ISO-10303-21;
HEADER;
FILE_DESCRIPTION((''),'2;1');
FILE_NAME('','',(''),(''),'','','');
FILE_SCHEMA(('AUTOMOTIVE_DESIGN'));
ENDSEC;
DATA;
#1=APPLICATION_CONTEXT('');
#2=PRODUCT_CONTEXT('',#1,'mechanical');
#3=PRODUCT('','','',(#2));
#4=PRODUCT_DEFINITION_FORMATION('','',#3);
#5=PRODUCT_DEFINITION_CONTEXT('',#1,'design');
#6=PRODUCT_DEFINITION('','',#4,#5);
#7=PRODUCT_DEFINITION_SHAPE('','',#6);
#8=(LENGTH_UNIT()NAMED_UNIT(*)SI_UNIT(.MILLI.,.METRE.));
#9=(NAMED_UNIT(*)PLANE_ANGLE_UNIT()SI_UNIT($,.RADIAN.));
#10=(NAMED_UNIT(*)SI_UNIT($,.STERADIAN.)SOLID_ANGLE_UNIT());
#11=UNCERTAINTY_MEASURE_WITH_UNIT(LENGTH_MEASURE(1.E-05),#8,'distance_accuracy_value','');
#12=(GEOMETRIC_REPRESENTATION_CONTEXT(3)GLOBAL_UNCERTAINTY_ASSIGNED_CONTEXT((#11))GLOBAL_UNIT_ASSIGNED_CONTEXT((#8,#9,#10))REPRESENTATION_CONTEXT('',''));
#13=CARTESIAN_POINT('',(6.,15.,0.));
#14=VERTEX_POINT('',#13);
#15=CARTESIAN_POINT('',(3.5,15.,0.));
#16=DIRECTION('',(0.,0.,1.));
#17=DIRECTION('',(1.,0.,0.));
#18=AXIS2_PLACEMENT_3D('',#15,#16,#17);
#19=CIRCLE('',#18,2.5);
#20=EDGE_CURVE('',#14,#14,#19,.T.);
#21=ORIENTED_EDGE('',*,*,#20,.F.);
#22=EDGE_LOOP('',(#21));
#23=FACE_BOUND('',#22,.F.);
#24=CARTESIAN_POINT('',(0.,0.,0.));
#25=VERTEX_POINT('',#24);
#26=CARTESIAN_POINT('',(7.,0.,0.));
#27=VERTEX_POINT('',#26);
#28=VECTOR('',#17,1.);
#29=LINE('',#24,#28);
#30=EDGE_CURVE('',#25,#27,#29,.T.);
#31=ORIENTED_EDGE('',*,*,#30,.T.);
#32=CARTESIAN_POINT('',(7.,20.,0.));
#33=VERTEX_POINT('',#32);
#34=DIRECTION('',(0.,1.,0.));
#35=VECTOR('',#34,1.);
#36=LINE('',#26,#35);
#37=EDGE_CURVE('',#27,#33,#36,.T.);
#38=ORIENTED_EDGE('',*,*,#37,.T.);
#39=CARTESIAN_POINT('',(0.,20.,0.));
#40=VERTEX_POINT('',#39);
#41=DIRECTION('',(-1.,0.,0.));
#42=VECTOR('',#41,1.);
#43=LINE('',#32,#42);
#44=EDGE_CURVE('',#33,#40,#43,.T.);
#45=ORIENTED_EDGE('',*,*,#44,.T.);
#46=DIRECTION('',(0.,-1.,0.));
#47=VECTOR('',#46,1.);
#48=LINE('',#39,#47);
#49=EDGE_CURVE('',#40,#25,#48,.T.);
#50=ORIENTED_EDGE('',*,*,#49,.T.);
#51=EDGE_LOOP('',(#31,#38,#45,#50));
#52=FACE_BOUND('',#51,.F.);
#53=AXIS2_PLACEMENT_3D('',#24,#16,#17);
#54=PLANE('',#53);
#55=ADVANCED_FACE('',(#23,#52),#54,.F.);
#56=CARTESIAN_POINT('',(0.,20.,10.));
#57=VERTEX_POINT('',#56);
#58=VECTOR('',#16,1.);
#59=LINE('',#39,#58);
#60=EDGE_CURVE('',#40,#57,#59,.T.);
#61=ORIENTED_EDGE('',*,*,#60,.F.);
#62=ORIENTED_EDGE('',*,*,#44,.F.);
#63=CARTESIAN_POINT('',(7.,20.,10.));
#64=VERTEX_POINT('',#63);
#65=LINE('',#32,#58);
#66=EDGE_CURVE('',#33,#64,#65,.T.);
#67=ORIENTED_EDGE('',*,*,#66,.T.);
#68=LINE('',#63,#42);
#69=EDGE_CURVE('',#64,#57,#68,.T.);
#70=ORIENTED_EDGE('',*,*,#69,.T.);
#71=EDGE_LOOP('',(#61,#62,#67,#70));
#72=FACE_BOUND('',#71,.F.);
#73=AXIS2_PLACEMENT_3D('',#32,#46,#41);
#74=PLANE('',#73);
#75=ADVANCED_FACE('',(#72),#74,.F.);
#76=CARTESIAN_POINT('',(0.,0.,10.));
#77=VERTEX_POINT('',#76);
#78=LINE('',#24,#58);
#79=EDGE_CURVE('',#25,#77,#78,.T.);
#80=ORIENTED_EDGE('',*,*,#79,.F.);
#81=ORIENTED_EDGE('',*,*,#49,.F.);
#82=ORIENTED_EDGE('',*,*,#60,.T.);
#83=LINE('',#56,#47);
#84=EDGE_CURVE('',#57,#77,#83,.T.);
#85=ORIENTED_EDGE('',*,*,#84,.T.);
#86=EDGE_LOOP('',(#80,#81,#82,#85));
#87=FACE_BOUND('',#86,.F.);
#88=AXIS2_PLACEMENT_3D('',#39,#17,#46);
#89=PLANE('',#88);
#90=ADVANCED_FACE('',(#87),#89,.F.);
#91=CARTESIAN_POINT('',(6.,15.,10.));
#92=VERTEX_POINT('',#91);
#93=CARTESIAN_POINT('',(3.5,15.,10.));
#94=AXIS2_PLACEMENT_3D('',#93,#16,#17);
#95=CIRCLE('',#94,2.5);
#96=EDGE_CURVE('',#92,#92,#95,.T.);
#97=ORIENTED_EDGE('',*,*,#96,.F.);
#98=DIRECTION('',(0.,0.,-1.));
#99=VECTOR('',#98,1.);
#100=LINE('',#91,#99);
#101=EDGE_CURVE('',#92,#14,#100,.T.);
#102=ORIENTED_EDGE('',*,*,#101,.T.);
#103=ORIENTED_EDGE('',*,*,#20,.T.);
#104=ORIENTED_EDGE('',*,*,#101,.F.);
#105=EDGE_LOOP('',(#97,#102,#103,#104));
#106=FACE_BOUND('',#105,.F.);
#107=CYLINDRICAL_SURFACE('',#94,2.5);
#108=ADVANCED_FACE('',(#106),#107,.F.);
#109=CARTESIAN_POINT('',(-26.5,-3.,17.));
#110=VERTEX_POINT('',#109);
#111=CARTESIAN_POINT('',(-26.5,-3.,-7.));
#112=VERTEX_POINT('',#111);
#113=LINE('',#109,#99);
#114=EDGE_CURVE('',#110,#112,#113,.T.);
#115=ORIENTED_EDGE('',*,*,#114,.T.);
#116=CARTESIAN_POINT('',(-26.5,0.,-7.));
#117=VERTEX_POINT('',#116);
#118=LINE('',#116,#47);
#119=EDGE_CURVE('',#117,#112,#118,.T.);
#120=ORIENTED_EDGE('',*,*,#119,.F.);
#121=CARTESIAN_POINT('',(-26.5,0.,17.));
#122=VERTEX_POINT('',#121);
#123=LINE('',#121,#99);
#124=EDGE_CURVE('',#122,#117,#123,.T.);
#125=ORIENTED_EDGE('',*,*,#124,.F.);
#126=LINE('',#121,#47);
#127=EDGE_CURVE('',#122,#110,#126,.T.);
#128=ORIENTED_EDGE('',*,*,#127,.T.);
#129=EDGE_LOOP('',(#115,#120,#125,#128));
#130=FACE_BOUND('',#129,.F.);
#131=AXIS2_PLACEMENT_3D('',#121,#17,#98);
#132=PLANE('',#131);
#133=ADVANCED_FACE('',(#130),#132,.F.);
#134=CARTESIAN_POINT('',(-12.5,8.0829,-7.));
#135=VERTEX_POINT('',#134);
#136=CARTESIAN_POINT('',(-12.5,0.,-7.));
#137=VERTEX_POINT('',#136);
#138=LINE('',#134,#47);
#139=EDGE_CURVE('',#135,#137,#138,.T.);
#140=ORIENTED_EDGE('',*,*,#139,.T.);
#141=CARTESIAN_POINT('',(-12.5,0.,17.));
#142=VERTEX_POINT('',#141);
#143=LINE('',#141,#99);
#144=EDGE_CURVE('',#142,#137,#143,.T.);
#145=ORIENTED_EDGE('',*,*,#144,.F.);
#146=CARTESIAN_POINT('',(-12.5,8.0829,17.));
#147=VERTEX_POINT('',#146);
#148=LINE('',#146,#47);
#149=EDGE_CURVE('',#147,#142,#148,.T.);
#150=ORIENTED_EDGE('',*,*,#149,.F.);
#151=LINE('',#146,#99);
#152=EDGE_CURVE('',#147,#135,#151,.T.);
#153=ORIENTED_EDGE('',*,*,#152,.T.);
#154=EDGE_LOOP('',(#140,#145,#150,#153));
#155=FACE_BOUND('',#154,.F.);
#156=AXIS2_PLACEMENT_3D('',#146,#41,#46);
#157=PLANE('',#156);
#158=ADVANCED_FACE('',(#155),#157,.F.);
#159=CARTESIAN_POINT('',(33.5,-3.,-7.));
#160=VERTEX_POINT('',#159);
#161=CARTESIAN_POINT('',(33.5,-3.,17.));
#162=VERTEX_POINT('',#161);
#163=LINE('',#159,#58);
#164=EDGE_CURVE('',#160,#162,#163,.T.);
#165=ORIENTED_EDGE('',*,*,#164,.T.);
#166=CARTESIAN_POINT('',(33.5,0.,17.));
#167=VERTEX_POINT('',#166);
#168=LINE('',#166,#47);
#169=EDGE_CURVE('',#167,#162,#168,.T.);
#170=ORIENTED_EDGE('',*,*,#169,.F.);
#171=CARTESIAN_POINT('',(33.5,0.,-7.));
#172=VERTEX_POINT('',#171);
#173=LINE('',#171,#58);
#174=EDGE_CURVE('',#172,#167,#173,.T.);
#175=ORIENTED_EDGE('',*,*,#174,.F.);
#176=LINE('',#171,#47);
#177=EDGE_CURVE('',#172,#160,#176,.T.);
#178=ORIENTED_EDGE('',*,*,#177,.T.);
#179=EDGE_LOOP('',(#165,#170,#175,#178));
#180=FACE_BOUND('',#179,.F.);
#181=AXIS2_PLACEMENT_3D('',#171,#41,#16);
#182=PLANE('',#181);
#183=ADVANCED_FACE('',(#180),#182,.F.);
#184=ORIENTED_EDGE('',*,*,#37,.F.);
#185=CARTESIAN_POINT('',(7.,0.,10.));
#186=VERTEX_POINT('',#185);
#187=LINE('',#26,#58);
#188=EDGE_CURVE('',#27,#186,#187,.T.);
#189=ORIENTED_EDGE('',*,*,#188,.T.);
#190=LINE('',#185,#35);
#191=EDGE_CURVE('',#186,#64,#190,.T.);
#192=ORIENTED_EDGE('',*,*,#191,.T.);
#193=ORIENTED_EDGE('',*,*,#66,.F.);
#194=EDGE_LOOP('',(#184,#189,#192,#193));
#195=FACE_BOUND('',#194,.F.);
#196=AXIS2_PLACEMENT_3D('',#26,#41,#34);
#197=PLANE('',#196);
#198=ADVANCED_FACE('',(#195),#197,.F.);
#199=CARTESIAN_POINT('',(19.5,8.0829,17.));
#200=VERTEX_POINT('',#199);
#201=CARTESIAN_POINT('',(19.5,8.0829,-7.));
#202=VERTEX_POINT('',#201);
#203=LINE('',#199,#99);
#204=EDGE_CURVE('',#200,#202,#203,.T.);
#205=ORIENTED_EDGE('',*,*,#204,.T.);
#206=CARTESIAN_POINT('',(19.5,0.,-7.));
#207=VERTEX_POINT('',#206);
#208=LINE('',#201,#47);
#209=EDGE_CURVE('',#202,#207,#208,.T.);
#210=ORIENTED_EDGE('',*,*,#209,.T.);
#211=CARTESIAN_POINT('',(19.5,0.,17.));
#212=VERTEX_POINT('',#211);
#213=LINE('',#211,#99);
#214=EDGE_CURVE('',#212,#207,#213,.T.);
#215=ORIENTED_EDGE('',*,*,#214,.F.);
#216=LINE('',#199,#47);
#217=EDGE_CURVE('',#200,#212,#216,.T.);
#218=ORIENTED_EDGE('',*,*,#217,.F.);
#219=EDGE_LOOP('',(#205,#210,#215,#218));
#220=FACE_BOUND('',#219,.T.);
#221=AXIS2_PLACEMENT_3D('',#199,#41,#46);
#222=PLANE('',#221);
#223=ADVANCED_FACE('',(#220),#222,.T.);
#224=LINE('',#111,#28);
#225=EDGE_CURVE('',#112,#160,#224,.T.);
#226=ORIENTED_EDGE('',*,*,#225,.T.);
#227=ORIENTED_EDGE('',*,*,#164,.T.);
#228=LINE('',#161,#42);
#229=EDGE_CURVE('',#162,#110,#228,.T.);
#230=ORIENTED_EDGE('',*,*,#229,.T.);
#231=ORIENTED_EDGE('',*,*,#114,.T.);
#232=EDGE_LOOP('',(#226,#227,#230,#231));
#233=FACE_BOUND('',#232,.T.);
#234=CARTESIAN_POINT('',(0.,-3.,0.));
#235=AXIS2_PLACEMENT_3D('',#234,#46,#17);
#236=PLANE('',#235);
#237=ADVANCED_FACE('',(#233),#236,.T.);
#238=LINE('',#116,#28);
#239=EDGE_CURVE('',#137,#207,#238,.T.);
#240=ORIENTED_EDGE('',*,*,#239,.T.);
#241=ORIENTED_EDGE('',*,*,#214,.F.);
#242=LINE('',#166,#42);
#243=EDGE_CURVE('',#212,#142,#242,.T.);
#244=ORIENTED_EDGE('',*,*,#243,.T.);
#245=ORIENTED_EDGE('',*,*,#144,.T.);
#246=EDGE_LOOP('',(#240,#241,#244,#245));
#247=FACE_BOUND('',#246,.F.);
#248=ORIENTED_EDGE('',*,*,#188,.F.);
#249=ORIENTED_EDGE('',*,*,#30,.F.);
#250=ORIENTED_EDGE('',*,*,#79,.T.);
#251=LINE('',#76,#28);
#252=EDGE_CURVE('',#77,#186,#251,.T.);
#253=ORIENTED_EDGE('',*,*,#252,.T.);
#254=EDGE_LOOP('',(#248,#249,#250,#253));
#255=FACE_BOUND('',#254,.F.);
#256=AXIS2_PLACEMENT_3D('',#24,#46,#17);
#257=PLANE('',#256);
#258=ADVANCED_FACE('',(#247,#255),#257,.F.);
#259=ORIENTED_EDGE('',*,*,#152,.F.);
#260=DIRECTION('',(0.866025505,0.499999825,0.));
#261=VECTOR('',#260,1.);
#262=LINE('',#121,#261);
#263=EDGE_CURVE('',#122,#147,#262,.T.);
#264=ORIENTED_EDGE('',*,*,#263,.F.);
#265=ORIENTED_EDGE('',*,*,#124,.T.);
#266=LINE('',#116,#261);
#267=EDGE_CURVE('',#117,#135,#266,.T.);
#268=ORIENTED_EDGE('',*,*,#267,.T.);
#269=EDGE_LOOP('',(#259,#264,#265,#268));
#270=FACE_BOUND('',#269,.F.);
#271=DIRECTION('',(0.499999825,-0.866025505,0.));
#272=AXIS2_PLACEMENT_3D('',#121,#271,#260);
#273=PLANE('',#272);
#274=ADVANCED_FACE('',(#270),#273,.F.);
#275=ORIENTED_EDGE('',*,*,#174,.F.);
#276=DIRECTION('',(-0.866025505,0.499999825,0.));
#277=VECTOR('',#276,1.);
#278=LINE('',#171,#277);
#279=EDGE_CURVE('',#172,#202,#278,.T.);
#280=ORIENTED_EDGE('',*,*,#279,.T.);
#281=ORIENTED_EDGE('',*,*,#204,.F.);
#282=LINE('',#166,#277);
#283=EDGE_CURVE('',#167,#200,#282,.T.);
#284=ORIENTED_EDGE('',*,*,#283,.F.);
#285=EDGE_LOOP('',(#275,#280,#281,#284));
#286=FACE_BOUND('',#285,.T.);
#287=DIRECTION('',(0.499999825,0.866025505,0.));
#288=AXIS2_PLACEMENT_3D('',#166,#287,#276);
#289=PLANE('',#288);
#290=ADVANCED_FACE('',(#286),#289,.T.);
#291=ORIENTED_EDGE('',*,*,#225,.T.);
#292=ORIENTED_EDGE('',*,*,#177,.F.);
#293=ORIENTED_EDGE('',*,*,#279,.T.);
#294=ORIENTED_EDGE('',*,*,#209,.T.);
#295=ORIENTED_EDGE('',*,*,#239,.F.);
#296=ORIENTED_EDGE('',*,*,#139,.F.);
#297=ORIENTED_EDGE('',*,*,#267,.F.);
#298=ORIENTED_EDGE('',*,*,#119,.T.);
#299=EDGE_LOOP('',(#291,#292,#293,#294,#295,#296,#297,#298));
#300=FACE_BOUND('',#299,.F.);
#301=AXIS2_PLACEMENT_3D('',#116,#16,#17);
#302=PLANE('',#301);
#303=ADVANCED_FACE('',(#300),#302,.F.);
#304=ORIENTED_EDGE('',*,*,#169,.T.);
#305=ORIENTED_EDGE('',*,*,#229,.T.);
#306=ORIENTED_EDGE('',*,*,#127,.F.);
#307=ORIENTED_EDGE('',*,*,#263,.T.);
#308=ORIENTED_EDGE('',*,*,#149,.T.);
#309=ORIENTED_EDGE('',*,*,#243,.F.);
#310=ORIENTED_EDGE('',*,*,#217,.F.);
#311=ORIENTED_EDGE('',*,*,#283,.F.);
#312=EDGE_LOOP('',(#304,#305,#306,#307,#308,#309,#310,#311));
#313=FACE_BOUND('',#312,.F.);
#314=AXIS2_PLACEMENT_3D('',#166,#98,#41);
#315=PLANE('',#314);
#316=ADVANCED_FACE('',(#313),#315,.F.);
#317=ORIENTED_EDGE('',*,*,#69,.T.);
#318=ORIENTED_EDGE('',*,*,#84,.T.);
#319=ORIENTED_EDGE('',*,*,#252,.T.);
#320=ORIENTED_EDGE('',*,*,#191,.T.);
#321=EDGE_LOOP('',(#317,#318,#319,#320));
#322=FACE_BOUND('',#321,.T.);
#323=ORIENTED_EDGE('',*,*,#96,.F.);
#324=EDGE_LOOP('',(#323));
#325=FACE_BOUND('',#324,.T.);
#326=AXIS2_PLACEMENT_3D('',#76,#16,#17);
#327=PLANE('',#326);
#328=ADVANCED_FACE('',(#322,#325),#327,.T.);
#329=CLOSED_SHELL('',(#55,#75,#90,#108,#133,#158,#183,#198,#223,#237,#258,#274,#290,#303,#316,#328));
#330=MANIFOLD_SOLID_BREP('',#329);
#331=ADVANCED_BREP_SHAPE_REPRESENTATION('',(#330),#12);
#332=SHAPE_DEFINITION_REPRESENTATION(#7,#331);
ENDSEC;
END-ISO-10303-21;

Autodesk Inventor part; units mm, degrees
ref_plane "YZ Plane" through (0, 0, 0) normal (1, 0, 0) x (0, 1, 0)
ref_plane "XZ Plane" through (0, 0, 0) normal (0, 1, 0) x (-1, 0, 0)
ref_plane "XY Plane" through (0, 0, 0) normal (0, 0, 1) x (1, 0, 0)
sketch "スケッチ1" plane through (0, 0, 0) normal (0, 0, 1) x (1, 0, 0)
  line L0 (0, 0) -> (7, 0)
  line L1 (7, 0) -> (7, 20)
  line L2 (7, 20) -> (0, 20)
  line L3 (0, 20) -> (0, 0)
  dimension "d0" = 20
  dimension "d1" = 7
extrude "押し出し1" add sketch "スケッチ1" along normal blind 10
sketch "スケッチ2" plane through (0, 0, 10) normal (0, 0, 1) x (1, 0, 0)
  circle A0 centre (3.5, 15) radius 2.5
  line L0 (0, 0) -> (7, 0) projected
  line L1 (0, 20) -> (0, 0) projected
  line L2 (7, 20) -> (0, 20) projected
  dimension "d4" = 5
  dimension "d6" = 3.5
  dimension "d15" = 5
extrude "押し出し2" cut sketch "スケッチ2" against normal blind 10
sketch "スケッチ3" plane through (0, 0, 0) normal (0, -1, 0) x (1, 0, 0)
  line L0 (33.5, 17) -> (-26.5, 17)
  line L1 (-26.5, 17) -> (-26.5, -7)
  line L2 (-26.5, -7) -> (33.5, -7)
  line L3 (33.5, -7) -> (33.5, 17)
  line L4 (7, 0) -> (0, 0) projected
  line L5 (3.5, 0) -> (3.5, 10)
  line L6 (0, 10) -> (7, 10) projected
  line L7 (7, 0) -> (7, 10) projected
  line L8 (7, 5) -> (0, 5)
  dimension "d9" = 12
  dimension "d10" = 12
  dimension "d11" = 30
  dimension "d12" = 30
extrude "押し出し3" add sketch "スケッチ3" along normal blind 3 contours L3 L2 L1 L0 | L4 L5 L8 L7 | L8 L5 L6 L7
sketch "スケッチ4" plane through (-26.5, 0, 17) normal (0, 0, 1) x (1, 0, 0)
  line L0 (60, 0) -> (0, 0) projected
  line L1 (0, 0) -> (14, 8.0829)
  line L2 (14, 8.0829) -> (14, 0)
  line L3 (60, 0) -> (46, 8.0829)
  line L4 (46, 8.0829) -> (46, 0)
  point P0 (26.5, 0)
  dimension "d16" = 60
  dimension "d17" = 60
  dimension "d22" = 14
  dimension "d23" = 14
extrude "押し出し4" add sketch "スケッチ4" against normal blind 24
equation "\"d9\" = d10"
equation "\"d11\" = d12"
equation "\"d17\" = d16"
properties part number "sole_practice"
